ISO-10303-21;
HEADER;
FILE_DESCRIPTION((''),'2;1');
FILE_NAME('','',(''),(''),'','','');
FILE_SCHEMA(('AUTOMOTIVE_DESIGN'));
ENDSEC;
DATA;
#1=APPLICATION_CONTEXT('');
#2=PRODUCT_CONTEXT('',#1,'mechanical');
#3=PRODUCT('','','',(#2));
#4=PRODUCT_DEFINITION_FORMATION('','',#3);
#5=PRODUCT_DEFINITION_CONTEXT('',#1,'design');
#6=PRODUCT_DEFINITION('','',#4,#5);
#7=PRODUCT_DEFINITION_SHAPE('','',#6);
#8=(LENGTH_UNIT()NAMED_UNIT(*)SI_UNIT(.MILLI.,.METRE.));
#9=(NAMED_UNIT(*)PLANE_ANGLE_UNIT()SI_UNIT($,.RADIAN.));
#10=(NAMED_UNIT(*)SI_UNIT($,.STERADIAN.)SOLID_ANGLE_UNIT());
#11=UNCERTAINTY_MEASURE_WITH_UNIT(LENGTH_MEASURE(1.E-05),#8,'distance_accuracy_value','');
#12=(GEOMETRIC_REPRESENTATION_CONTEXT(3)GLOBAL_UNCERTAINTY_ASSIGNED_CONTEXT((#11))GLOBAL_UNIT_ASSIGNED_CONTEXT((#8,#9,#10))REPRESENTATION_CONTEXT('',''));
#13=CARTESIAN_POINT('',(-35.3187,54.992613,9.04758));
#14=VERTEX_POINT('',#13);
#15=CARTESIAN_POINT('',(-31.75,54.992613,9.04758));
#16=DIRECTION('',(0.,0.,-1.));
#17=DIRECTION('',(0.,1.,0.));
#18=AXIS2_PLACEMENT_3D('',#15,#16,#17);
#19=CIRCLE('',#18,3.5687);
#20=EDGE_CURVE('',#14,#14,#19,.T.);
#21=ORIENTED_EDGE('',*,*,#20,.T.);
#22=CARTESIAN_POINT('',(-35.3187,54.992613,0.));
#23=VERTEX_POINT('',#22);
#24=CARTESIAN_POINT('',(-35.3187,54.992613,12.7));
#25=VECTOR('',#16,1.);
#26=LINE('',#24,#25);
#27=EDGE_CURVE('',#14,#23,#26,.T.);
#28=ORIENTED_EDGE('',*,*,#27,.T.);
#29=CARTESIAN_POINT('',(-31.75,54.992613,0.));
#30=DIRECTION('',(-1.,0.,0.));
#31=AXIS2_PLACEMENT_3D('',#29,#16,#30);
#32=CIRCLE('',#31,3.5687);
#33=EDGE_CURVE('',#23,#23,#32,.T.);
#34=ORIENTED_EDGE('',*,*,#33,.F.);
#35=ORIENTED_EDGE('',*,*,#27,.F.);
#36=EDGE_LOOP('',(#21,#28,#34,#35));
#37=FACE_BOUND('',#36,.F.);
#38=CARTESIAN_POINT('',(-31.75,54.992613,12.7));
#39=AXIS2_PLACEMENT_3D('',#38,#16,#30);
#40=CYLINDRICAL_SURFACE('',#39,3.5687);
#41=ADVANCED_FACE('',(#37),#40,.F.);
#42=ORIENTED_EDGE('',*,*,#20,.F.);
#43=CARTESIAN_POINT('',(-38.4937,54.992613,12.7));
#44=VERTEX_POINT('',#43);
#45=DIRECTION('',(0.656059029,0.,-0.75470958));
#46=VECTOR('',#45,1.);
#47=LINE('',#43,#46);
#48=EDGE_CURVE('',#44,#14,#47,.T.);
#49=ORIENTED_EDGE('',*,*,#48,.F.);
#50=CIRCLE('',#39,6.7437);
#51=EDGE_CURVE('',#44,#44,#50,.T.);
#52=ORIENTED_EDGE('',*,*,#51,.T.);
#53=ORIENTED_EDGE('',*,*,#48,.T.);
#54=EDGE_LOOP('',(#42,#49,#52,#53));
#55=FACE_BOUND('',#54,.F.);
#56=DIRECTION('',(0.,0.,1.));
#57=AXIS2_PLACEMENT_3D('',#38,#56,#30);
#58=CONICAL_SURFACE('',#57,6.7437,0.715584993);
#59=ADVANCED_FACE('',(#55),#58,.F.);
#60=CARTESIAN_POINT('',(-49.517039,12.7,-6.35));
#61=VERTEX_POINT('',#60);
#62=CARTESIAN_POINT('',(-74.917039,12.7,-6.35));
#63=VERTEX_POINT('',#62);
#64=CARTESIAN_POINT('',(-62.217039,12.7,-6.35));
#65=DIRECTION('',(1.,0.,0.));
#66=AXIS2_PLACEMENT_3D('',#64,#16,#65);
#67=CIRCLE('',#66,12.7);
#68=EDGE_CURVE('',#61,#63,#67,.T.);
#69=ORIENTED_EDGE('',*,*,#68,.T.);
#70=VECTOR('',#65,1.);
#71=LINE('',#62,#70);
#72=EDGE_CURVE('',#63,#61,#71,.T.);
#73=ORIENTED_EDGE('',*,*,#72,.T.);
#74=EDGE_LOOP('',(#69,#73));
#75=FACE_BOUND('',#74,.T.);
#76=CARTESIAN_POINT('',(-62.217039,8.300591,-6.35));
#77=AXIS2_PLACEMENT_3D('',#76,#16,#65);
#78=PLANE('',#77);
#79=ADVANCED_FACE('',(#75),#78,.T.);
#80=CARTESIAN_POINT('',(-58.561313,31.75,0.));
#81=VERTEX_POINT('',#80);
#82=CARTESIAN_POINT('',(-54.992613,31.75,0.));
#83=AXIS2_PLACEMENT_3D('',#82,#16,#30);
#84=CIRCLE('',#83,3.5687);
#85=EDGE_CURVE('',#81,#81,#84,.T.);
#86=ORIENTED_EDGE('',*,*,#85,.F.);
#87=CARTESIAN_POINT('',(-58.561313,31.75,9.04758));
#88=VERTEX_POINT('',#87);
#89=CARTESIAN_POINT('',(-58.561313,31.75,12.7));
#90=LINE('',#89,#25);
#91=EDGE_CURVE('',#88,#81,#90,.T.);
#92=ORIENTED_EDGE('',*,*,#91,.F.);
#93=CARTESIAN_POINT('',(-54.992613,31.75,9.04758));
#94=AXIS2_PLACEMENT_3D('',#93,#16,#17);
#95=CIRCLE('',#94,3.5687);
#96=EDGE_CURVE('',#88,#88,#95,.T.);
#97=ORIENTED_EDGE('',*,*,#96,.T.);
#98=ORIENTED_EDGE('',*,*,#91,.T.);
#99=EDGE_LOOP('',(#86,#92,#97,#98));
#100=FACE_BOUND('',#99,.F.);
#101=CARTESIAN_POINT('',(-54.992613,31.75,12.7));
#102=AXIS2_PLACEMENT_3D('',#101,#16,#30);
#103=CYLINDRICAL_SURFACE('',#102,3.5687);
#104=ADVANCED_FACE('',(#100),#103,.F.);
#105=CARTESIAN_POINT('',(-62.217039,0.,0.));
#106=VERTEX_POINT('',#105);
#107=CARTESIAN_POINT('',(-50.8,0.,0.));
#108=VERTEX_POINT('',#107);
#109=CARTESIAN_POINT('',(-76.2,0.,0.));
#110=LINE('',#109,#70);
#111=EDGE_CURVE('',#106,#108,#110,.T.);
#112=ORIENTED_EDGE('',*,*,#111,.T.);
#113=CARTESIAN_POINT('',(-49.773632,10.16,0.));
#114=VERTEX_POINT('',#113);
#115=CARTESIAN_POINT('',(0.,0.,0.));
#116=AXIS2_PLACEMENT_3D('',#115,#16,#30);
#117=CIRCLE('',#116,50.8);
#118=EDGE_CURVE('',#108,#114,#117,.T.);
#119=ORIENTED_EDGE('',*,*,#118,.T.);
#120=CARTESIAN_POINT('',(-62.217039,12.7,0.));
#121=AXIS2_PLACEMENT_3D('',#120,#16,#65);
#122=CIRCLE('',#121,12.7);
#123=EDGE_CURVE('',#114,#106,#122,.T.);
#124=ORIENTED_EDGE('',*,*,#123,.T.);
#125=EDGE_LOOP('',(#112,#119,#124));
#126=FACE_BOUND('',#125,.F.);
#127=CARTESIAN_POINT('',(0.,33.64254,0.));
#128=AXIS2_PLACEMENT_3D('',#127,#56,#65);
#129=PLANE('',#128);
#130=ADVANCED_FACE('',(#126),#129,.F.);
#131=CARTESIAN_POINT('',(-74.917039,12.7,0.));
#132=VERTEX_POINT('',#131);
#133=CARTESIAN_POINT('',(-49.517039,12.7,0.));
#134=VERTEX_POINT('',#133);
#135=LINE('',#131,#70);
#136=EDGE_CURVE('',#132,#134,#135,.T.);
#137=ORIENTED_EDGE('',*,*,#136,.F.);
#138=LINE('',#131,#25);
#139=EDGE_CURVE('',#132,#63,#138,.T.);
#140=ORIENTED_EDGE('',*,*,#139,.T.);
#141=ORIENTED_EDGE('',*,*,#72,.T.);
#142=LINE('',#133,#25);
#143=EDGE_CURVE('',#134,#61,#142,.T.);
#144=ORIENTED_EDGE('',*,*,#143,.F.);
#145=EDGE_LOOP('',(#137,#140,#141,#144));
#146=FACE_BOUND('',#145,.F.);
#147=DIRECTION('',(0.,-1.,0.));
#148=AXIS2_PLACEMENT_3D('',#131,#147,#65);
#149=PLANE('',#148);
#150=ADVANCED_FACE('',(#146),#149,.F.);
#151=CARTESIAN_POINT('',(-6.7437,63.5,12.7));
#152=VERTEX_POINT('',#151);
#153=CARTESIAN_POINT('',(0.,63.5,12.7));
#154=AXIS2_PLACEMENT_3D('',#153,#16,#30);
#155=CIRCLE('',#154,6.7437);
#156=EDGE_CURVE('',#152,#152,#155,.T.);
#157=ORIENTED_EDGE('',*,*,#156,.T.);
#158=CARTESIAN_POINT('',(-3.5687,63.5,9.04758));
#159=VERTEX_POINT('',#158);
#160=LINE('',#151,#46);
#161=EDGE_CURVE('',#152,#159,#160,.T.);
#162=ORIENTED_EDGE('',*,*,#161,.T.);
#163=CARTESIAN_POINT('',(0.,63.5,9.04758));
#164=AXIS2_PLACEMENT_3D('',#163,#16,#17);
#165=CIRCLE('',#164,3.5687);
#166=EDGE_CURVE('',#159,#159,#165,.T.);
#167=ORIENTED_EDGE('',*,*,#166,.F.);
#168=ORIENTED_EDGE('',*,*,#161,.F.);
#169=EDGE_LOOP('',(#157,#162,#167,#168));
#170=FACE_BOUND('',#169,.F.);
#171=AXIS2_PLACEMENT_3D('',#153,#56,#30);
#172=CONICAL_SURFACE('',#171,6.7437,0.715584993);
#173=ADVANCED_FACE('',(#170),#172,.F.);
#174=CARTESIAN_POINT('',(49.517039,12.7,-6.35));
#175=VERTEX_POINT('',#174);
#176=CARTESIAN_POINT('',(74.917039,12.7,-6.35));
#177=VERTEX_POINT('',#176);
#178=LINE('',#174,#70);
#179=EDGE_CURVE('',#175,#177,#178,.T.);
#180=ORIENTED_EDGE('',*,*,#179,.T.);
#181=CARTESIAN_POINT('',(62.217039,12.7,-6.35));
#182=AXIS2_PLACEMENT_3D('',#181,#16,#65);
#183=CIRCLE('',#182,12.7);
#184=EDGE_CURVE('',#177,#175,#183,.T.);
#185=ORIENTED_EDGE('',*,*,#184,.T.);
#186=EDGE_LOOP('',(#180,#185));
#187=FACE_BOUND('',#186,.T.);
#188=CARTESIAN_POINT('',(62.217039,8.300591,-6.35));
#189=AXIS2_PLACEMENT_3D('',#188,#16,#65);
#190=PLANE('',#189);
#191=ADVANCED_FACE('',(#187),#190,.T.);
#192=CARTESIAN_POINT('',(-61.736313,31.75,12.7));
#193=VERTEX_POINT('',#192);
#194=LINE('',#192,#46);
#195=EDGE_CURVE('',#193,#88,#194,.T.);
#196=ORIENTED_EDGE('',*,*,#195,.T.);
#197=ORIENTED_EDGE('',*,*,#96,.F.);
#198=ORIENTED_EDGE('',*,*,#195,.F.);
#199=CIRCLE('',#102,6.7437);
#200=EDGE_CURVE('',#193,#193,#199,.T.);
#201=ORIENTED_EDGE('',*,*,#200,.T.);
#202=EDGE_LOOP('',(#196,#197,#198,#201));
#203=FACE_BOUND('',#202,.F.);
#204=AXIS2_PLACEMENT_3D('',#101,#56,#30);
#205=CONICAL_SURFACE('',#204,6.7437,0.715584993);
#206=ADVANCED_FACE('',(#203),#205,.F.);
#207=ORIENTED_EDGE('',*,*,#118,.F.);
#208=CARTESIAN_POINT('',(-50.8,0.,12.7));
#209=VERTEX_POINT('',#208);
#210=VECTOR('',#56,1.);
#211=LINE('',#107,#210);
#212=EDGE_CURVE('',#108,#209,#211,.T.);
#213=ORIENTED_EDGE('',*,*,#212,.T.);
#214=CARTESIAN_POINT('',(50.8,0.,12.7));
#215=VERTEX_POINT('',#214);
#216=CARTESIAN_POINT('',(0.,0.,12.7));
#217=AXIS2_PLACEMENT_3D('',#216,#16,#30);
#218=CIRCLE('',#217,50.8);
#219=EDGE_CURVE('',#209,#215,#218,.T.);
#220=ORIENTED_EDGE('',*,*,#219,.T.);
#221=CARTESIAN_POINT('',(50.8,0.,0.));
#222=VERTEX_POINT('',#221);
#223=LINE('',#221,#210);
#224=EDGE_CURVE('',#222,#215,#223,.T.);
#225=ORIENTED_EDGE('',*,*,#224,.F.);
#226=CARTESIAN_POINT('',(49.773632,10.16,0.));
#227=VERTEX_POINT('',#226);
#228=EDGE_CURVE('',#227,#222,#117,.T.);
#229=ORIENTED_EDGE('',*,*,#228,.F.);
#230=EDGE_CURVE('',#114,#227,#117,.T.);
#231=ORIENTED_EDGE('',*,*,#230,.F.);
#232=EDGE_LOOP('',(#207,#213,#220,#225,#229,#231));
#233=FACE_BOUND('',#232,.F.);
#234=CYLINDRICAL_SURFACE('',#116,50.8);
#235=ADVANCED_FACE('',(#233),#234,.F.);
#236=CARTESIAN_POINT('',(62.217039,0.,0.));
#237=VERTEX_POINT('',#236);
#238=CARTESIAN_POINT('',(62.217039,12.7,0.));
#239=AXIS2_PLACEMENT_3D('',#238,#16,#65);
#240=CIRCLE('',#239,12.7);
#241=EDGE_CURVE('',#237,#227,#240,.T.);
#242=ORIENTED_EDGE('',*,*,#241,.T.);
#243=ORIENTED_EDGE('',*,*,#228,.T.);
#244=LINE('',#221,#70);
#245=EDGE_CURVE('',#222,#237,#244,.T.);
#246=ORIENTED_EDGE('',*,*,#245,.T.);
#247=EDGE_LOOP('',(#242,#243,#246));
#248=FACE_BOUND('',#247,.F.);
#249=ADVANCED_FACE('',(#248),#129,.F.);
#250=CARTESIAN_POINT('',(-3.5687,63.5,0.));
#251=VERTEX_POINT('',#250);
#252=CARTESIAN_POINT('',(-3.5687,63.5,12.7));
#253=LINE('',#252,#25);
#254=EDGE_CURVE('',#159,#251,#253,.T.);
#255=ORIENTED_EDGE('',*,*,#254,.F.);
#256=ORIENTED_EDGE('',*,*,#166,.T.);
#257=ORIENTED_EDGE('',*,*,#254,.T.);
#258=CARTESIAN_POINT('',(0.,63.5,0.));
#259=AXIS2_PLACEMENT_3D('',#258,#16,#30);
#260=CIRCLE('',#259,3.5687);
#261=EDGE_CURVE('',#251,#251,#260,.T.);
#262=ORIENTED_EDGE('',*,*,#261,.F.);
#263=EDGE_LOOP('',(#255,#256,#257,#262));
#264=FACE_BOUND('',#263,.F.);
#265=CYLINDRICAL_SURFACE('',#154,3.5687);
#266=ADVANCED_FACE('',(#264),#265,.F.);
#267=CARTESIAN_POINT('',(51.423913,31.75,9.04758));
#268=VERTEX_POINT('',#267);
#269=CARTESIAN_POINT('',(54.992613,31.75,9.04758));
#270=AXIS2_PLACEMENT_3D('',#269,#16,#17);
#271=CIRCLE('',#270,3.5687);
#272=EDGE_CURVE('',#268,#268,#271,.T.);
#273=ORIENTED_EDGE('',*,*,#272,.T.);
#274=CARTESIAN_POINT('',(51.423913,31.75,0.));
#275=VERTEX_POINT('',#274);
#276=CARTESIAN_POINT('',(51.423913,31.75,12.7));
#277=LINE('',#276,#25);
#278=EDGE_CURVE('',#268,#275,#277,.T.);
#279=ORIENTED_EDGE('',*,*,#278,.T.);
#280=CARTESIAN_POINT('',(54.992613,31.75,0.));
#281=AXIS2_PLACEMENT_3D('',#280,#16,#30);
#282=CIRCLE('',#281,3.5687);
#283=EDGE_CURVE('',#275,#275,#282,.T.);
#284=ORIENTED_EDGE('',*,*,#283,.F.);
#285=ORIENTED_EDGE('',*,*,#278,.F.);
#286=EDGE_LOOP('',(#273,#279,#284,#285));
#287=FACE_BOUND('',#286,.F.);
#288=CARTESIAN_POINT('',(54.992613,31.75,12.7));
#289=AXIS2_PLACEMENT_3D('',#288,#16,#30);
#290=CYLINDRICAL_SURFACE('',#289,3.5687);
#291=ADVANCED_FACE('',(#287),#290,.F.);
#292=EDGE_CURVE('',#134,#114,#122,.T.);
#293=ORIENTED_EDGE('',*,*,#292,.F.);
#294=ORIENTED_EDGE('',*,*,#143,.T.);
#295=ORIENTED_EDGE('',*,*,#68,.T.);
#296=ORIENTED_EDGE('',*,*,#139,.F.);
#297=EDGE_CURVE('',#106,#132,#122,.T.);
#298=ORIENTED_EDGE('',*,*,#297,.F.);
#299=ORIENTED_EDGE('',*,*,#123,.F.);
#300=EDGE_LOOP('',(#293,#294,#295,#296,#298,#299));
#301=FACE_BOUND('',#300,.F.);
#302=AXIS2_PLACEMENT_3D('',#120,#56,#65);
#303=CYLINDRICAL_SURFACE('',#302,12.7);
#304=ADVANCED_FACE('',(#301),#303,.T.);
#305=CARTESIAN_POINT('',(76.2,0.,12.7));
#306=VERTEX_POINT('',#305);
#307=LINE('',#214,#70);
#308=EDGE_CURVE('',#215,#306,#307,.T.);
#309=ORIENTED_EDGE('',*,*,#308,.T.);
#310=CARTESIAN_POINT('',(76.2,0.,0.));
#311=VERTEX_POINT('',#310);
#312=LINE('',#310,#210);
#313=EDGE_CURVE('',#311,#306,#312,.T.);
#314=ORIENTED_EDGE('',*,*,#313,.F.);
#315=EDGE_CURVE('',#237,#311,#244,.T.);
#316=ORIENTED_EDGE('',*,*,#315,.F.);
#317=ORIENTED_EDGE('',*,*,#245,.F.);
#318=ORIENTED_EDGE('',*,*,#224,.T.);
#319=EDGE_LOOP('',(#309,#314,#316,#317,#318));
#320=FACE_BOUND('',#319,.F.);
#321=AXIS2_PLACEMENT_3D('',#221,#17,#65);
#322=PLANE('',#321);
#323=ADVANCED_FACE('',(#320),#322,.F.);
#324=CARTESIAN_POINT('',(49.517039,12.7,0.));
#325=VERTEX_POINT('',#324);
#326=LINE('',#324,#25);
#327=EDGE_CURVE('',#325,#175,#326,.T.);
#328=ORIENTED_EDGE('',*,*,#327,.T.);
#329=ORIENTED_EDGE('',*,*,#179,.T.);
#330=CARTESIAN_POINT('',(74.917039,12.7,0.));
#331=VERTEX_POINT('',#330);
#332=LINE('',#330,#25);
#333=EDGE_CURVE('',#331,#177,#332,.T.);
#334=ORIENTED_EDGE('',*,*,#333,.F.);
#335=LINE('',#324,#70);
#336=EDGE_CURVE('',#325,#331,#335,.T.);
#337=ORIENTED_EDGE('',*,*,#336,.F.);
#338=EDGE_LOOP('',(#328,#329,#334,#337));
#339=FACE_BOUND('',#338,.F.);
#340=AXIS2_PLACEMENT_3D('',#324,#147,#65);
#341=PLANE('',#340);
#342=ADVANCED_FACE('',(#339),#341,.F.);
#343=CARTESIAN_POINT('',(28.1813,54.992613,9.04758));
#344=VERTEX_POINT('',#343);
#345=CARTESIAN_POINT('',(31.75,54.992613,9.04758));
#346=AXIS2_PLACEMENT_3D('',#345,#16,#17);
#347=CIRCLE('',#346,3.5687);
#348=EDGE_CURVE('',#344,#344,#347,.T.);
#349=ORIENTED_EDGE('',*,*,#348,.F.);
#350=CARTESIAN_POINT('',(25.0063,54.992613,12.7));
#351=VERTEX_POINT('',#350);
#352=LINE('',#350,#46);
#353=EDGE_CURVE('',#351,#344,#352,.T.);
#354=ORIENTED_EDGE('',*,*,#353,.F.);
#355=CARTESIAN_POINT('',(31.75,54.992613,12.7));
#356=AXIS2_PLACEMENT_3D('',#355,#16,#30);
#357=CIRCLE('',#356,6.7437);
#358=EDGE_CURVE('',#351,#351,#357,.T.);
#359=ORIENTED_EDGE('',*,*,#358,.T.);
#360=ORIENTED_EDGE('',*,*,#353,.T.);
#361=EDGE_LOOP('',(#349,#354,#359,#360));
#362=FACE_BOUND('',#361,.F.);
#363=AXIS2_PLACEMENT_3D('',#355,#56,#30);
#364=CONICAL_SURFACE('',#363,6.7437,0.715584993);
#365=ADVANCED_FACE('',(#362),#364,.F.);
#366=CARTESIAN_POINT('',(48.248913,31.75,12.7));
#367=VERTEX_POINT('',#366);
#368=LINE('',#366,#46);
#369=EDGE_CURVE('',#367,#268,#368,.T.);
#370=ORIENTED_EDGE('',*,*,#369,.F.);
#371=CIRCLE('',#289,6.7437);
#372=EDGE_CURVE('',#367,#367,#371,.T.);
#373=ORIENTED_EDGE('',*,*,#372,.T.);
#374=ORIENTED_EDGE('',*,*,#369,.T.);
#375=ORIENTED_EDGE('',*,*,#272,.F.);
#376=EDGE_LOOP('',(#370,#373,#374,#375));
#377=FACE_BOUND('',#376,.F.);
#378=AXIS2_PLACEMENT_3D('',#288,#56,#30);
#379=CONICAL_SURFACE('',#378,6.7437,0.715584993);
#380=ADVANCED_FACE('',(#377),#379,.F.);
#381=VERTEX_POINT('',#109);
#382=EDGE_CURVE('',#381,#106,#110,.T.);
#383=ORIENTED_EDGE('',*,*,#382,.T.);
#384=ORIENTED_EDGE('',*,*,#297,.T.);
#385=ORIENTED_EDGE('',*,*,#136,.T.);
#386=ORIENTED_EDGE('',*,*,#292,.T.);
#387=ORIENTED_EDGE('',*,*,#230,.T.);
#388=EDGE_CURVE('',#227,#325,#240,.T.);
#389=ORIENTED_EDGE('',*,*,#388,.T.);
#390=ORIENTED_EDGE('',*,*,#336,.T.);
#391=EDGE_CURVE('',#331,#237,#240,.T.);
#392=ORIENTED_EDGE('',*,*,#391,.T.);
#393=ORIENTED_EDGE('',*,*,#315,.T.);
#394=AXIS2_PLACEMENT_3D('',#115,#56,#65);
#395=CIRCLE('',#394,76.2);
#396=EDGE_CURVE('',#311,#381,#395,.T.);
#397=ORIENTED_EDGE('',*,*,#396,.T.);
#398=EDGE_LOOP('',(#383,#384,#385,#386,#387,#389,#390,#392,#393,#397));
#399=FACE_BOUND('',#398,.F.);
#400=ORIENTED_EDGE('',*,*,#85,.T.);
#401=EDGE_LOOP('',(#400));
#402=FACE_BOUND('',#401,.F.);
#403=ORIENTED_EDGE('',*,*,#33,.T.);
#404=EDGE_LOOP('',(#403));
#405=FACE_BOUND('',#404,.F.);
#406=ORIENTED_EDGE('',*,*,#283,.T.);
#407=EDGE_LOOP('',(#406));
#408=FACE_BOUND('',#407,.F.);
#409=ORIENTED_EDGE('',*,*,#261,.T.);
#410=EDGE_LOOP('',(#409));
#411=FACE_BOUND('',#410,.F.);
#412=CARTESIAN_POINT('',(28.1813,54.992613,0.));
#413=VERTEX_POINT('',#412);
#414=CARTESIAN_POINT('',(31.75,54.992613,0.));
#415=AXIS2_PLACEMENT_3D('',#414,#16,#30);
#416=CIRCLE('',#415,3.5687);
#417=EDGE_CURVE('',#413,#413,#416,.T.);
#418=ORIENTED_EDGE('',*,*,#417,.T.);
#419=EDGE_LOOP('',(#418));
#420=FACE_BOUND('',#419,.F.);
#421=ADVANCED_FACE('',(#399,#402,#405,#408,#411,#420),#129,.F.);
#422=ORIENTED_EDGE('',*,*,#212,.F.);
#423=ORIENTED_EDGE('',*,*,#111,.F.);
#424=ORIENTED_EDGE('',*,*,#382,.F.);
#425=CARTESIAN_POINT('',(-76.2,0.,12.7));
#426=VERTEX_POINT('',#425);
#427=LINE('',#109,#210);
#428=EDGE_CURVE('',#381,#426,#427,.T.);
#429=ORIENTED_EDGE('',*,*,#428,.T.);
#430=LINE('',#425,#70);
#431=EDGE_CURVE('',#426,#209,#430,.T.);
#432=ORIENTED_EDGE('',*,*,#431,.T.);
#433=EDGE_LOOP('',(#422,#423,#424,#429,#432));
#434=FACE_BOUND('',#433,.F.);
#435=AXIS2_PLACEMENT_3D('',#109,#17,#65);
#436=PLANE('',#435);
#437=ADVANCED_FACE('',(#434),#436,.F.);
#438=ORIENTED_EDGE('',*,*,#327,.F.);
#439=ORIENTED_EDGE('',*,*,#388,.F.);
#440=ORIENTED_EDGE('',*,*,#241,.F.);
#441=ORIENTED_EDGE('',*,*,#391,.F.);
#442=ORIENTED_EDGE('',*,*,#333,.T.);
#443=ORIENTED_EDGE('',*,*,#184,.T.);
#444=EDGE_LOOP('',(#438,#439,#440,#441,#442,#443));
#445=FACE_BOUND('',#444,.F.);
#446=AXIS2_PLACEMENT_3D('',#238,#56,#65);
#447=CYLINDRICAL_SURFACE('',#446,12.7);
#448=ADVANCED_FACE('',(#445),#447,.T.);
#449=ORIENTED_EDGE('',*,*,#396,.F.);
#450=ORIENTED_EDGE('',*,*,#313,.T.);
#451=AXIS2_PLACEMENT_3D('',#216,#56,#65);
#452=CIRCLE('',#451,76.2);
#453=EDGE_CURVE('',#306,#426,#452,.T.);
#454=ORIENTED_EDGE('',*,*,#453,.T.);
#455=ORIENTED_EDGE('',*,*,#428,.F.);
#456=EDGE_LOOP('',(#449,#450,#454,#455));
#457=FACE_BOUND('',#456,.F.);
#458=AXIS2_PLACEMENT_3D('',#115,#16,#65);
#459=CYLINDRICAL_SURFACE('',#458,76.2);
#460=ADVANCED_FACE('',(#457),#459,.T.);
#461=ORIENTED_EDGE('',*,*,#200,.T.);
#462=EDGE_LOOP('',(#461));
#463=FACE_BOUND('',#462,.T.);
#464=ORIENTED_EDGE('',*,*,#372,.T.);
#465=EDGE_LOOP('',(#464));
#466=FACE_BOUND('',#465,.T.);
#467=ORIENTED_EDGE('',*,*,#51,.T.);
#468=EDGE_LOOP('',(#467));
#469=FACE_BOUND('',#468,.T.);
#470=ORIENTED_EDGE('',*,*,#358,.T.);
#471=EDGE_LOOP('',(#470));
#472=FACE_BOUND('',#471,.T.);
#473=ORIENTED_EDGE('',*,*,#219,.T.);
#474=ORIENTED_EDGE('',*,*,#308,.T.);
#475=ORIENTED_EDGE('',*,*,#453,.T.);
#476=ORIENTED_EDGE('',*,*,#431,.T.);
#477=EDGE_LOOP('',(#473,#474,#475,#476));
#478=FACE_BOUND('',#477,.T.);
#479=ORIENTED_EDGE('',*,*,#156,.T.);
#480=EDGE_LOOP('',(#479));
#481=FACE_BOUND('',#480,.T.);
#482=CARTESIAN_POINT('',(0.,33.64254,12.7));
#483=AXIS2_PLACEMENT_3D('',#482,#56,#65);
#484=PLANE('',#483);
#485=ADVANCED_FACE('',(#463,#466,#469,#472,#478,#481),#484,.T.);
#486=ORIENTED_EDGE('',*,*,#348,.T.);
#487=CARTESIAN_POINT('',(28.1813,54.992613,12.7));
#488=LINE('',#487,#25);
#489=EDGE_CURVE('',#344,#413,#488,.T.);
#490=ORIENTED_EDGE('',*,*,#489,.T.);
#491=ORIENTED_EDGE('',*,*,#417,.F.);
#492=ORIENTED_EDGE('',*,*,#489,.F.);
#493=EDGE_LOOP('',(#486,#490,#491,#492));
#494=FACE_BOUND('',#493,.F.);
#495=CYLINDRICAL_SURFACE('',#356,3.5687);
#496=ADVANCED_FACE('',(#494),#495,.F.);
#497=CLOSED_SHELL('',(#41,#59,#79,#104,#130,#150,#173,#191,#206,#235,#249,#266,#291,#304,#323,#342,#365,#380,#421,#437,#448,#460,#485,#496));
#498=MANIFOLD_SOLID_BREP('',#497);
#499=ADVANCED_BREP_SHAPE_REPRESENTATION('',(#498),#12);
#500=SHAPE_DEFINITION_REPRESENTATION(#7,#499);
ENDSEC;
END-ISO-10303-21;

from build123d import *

# Parameters (mm, degrees)
F1_DEPTH       = 12.7
F3_DEPTH       = 6.35
F5_D           = 7.1374
F5_CSINK_D     = 13.4874
F5_CSINK_ANGLE = 82


with BuildPart() as f1:
    # F0 (on Top) → F1 (new body)
    with BuildSketch(Plane.XY):
        with BuildLine():
            Line((-76.2, 0), (-50.8, 0))
            ThreePointArc((-50.8, 0), (0, 50.8), (50.8, 0))
            Line((50.8, 0), (76.2, 0))
            ThreePointArc((76.2, 0), (0, 76.2), (-76.2, 0))
        make_face()
    extrude(amount=F1_DEPTH)

    # F2 (on face) → F3 (join)
    with BuildSketch(Plane(origin=(0, 0, 0), x_dir=(1, 0, 0), z_dir=(0, 0, -1))):
        with BuildLine():
            Line((-74.9170394667, -12.7), (-49.5170394667, -12.7))
            ThreePointArc((-49.5170394667, -12.7), (-62.2170394667, 0), (-74.9170394667, -12.7))
        make_face()
        with BuildLine():
            ThreePointArc((74.9170394667, -12.7), (62.2170394667, 0), (49.5170394667, -12.7))
            Line((49.5170394667, -12.7), (74.9170394667, -12.7))
        make_face()
    extrude(amount=F3_DEPTH)

    # F5 (through all)
    with Locations(Plane.XY.offset(12.7)):
        with Locations((-54.9926131403, 31.75), (-31.75, 54.9926131403), (0, 63.5), (31.75, 54.9926131403), (54.9926131403, 31.75)):
            CounterSinkHole(F5_D / 2, F5_CSINK_D / 2, counter_sink_angle=F5_CSINK_ANGLE)


solid = f1.part
